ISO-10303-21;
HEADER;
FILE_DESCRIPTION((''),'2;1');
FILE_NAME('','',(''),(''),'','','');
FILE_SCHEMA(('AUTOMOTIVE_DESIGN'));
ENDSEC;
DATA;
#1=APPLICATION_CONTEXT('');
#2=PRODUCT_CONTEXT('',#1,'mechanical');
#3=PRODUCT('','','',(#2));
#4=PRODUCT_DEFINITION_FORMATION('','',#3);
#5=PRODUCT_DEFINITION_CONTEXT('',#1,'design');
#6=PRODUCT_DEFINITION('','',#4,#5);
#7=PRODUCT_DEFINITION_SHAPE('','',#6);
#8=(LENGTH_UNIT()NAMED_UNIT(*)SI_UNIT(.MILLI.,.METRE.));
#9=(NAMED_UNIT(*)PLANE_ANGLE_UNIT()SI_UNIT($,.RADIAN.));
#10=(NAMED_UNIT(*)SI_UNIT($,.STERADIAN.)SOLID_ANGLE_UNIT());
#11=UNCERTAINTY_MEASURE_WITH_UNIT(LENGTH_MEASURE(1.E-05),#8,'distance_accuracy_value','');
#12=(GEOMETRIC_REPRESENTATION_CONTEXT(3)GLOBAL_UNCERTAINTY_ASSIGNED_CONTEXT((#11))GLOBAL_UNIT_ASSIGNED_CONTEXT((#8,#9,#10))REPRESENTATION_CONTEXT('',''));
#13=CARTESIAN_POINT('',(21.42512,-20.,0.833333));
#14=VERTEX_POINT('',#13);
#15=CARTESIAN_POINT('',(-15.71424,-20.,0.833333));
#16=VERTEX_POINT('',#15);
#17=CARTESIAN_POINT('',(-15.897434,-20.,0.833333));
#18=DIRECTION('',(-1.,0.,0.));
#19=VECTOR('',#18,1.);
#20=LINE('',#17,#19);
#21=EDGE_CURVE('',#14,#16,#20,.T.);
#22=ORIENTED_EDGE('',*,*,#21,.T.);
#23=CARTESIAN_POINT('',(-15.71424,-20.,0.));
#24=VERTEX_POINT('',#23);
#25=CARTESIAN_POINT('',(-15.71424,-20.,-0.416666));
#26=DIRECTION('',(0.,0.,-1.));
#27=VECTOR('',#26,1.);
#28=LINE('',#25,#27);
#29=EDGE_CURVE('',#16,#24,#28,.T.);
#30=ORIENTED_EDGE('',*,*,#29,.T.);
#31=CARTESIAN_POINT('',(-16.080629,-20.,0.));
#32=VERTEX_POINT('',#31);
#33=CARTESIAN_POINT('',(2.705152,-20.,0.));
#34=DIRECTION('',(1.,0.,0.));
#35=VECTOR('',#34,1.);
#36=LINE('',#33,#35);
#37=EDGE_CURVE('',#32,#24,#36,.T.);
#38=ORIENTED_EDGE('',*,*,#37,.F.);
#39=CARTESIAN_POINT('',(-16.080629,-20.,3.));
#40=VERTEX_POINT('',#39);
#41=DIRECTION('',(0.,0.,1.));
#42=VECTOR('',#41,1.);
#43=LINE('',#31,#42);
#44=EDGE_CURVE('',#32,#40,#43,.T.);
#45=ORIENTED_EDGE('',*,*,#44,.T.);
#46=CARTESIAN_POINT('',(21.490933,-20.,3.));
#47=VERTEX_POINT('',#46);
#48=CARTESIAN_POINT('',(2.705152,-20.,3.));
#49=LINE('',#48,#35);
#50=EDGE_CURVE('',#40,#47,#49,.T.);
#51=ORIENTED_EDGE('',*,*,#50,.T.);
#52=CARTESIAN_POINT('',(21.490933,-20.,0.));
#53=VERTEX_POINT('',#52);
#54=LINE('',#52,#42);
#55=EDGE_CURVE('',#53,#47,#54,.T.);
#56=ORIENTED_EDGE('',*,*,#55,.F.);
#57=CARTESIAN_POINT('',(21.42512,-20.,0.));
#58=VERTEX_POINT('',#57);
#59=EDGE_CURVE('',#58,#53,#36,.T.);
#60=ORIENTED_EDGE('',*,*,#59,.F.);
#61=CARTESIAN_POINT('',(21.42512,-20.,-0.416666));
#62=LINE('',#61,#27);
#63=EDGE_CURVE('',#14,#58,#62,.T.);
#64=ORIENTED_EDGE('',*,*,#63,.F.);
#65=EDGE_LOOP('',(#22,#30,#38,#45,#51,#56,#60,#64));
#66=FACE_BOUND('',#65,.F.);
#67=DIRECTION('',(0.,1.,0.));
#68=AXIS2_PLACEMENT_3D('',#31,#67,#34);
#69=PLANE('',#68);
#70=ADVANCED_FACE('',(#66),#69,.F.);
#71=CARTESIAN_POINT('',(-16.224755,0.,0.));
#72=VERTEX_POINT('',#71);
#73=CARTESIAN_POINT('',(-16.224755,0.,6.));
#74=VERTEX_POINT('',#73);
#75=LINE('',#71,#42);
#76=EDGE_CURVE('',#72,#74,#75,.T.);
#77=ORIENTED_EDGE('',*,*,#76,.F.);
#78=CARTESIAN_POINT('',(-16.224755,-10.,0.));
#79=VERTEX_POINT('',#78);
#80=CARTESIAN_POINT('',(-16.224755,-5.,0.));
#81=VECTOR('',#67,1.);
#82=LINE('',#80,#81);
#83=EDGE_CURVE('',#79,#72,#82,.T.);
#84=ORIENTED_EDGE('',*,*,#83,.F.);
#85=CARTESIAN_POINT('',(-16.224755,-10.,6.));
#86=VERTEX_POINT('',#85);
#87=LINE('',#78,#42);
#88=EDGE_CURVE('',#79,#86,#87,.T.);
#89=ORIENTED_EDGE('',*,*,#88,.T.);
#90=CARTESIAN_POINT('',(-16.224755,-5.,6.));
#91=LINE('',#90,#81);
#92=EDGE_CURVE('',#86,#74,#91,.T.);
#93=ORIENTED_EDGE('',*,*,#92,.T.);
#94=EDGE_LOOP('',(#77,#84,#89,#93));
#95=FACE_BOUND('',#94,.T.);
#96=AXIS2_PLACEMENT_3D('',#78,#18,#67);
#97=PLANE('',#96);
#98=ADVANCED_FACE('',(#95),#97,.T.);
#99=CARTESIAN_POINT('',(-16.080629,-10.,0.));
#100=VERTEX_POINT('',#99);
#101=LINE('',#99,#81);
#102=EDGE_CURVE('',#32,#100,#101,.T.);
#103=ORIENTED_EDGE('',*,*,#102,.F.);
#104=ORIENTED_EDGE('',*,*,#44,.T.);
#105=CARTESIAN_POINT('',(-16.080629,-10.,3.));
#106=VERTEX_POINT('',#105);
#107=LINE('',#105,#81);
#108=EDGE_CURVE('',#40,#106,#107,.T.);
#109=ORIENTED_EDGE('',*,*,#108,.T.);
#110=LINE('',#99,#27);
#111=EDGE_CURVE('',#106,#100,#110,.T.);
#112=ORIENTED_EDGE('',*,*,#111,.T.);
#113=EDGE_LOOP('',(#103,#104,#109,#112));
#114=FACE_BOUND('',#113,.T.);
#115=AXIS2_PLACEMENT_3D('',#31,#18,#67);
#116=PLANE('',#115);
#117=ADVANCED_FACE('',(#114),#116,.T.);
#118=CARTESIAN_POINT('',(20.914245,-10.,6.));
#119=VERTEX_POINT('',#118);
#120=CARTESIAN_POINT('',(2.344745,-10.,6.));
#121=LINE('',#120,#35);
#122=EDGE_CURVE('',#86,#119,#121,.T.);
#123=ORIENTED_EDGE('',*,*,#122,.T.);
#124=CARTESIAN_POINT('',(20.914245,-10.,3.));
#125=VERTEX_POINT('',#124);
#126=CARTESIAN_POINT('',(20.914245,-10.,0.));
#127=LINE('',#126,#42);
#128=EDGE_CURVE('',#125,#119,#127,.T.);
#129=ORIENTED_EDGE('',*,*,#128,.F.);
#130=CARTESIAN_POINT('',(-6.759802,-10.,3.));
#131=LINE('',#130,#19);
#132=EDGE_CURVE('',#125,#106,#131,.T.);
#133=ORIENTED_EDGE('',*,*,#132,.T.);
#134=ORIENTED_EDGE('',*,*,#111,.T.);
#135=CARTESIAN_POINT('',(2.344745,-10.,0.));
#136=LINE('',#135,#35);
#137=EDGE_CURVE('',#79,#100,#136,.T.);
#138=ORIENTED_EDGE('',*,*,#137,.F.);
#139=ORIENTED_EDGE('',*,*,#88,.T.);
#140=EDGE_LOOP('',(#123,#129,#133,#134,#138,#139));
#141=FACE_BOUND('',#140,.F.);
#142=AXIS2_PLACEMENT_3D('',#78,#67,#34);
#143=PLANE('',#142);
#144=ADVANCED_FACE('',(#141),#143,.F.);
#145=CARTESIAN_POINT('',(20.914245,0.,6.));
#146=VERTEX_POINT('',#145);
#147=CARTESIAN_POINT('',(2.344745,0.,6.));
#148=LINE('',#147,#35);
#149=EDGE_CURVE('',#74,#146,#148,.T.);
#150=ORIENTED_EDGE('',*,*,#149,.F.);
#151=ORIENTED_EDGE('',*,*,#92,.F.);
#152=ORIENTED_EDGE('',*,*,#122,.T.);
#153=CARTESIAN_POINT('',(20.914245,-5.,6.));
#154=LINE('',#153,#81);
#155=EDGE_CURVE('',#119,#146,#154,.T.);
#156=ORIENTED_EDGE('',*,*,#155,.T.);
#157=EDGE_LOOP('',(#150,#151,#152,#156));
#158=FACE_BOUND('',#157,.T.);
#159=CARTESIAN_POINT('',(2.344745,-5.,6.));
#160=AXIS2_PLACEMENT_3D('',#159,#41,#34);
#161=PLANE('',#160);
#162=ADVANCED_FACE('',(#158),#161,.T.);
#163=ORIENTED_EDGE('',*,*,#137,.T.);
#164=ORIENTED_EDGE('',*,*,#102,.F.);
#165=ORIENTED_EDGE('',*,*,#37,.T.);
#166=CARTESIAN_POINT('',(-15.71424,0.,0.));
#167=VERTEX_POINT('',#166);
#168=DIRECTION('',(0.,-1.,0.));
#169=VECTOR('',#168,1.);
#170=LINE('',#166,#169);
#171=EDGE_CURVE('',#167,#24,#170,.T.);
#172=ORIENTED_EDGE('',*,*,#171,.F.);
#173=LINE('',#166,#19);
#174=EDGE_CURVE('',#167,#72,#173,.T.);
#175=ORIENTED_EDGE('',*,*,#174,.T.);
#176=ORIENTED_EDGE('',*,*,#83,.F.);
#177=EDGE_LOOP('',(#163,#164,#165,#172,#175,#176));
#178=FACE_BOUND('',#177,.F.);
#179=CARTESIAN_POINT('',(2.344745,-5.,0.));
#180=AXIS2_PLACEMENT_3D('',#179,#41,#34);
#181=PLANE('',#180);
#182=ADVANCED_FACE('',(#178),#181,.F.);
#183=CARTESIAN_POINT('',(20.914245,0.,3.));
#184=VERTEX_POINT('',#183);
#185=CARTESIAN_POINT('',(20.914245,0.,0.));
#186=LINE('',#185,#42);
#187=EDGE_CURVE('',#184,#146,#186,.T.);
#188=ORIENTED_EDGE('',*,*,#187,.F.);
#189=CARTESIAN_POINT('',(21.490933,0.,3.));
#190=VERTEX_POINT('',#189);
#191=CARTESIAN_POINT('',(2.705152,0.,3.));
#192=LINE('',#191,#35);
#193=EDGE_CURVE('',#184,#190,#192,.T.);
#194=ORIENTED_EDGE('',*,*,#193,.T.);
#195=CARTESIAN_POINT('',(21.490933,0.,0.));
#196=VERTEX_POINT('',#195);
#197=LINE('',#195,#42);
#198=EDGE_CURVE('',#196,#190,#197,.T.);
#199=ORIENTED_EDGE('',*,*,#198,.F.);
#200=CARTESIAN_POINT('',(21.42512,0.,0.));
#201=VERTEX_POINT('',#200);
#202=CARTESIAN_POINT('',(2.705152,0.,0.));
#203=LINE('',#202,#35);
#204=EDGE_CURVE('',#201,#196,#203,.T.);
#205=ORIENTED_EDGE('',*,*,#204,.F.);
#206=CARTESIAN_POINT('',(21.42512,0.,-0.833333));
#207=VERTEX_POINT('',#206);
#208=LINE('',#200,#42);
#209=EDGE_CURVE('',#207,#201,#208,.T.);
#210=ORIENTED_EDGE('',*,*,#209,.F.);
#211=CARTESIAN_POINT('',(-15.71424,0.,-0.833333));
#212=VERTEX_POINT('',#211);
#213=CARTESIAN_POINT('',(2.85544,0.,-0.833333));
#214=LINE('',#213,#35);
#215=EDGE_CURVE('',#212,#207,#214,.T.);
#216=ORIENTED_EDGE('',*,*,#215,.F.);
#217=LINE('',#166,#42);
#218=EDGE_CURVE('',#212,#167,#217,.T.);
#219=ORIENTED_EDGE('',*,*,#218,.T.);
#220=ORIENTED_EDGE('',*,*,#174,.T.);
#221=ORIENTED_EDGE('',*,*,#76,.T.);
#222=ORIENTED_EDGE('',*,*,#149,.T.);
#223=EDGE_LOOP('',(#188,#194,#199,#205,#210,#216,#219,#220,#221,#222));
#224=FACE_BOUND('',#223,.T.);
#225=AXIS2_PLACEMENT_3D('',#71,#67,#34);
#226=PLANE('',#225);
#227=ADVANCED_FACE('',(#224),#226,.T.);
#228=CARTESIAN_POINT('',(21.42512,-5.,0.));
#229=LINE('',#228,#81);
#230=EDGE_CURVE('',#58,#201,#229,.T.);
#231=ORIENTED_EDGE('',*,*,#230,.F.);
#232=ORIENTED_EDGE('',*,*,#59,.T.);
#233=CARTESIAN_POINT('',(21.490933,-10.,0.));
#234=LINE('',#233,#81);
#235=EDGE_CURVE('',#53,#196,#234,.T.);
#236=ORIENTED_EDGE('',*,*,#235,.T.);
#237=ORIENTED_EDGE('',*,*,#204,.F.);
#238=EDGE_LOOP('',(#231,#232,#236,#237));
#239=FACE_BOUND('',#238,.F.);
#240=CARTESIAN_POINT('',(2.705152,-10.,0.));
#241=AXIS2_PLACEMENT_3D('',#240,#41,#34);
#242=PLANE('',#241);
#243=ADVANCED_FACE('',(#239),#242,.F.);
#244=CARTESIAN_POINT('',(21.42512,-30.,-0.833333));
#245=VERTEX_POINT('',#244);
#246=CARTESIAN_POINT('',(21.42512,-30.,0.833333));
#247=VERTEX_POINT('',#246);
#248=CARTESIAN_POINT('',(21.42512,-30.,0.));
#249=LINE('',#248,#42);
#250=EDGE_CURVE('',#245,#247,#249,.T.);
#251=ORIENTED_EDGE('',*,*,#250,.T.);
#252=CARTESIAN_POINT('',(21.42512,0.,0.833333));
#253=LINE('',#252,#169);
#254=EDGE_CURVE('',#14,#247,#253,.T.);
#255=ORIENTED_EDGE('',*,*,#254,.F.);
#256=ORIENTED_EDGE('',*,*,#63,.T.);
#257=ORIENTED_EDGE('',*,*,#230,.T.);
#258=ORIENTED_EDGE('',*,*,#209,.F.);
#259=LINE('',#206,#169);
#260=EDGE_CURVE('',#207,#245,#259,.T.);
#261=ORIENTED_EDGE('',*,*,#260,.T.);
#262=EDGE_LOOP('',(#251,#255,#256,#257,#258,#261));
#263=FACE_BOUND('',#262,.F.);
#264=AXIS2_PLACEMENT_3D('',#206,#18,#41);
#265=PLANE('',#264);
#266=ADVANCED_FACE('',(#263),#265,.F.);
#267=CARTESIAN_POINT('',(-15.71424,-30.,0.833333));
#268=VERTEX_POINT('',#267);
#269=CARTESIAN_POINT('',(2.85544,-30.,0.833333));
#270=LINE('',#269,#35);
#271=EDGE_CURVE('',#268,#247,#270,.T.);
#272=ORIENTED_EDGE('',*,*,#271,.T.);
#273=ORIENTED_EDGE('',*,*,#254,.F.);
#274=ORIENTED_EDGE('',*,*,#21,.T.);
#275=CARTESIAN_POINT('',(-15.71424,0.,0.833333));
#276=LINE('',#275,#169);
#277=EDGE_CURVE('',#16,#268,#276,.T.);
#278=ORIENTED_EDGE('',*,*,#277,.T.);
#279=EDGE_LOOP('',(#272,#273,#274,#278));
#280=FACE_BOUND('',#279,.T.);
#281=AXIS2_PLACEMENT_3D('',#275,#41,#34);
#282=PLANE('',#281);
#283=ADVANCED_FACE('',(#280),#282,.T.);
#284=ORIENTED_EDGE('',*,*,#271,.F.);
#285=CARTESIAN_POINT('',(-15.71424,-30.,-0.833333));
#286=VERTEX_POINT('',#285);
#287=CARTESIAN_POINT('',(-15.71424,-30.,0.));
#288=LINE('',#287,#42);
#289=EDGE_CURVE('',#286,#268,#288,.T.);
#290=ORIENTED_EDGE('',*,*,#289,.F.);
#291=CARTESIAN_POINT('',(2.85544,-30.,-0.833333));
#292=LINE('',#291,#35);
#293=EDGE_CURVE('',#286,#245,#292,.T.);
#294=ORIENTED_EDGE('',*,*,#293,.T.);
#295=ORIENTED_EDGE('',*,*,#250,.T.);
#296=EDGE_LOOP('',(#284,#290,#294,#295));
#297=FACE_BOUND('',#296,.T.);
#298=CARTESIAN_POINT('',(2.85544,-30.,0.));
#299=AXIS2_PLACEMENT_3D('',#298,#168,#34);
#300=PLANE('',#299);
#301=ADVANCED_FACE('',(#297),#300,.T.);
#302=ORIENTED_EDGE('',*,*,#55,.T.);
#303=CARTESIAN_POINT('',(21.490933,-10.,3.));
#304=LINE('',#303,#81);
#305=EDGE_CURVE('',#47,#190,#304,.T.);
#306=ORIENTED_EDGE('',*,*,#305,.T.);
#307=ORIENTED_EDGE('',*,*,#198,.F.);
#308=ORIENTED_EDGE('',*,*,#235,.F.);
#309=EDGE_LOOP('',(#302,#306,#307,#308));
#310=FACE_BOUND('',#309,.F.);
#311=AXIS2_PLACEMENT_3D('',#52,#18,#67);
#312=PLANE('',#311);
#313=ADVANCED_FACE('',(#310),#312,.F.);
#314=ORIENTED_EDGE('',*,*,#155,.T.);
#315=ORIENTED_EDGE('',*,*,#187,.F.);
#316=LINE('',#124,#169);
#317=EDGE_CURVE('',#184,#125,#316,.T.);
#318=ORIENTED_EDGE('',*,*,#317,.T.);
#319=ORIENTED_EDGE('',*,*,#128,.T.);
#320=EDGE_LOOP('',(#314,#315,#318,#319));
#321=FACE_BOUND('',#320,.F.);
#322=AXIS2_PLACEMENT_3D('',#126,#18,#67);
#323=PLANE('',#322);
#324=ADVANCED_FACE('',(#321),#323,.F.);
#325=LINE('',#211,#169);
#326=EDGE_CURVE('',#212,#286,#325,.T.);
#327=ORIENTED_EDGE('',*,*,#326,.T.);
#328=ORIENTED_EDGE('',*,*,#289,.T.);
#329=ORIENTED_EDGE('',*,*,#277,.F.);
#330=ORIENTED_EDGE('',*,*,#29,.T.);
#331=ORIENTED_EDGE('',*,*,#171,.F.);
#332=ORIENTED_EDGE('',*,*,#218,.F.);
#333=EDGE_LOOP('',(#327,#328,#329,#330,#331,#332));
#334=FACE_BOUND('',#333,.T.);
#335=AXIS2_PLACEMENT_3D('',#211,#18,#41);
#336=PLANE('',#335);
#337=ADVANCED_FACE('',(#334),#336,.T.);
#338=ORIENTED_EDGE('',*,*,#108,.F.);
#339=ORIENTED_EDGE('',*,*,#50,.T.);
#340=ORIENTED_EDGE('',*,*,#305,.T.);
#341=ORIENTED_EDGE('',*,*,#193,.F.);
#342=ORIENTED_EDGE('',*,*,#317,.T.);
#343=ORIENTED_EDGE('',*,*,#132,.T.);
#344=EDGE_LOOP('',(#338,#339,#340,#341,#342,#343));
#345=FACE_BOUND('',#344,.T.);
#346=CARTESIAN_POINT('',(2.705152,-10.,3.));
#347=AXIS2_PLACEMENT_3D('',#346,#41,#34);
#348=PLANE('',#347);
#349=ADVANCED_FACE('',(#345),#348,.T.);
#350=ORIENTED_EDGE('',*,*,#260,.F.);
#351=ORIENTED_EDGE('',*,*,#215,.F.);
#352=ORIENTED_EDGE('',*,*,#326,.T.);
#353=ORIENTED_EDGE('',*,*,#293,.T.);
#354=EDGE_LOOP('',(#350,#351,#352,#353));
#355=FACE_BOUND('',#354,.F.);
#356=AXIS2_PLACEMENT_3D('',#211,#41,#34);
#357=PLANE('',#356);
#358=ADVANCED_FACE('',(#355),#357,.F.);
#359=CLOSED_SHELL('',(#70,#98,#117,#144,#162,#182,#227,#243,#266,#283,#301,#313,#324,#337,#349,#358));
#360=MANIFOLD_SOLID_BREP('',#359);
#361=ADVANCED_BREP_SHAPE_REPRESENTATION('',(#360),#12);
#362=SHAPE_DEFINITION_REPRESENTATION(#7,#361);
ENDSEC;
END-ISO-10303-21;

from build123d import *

# Parameters (mm, degrees)
F0_W     = 37.13936
F0_H     = 1.666666
F1_DEPTH = 30
F2_W     = 37.571562
F2_H     = 20
F3_DEPTH = 3
F4_W     = 37.139
F4_H     = 10
F5_DEPTH = 6


with BuildPart() as f1:
    # F0 (on Front) → F1 (new body)
    with BuildSketch(Plane.XZ):
        with Locations((2.85544, 0)):
            Rectangle(F0_W, F0_H)
    extrude(amount=F1_DEPTH)

    # F2 (on Top) → F3 (join)
    with BuildSketch(Plane.XY):
        with Locations((2.705152, -10)):
            Rectangle(F2_W, F2_H)
    extrude(amount=F3_DEPTH)

    # F4 (on Top) → F5 (join)
    with BuildSketch(Plane.XY):
        with Locations((2.344745, -5)):
            Rectangle(F4_W, F4_H)
    extrude(amount=F5_DEPTH)


solid = f1.part
